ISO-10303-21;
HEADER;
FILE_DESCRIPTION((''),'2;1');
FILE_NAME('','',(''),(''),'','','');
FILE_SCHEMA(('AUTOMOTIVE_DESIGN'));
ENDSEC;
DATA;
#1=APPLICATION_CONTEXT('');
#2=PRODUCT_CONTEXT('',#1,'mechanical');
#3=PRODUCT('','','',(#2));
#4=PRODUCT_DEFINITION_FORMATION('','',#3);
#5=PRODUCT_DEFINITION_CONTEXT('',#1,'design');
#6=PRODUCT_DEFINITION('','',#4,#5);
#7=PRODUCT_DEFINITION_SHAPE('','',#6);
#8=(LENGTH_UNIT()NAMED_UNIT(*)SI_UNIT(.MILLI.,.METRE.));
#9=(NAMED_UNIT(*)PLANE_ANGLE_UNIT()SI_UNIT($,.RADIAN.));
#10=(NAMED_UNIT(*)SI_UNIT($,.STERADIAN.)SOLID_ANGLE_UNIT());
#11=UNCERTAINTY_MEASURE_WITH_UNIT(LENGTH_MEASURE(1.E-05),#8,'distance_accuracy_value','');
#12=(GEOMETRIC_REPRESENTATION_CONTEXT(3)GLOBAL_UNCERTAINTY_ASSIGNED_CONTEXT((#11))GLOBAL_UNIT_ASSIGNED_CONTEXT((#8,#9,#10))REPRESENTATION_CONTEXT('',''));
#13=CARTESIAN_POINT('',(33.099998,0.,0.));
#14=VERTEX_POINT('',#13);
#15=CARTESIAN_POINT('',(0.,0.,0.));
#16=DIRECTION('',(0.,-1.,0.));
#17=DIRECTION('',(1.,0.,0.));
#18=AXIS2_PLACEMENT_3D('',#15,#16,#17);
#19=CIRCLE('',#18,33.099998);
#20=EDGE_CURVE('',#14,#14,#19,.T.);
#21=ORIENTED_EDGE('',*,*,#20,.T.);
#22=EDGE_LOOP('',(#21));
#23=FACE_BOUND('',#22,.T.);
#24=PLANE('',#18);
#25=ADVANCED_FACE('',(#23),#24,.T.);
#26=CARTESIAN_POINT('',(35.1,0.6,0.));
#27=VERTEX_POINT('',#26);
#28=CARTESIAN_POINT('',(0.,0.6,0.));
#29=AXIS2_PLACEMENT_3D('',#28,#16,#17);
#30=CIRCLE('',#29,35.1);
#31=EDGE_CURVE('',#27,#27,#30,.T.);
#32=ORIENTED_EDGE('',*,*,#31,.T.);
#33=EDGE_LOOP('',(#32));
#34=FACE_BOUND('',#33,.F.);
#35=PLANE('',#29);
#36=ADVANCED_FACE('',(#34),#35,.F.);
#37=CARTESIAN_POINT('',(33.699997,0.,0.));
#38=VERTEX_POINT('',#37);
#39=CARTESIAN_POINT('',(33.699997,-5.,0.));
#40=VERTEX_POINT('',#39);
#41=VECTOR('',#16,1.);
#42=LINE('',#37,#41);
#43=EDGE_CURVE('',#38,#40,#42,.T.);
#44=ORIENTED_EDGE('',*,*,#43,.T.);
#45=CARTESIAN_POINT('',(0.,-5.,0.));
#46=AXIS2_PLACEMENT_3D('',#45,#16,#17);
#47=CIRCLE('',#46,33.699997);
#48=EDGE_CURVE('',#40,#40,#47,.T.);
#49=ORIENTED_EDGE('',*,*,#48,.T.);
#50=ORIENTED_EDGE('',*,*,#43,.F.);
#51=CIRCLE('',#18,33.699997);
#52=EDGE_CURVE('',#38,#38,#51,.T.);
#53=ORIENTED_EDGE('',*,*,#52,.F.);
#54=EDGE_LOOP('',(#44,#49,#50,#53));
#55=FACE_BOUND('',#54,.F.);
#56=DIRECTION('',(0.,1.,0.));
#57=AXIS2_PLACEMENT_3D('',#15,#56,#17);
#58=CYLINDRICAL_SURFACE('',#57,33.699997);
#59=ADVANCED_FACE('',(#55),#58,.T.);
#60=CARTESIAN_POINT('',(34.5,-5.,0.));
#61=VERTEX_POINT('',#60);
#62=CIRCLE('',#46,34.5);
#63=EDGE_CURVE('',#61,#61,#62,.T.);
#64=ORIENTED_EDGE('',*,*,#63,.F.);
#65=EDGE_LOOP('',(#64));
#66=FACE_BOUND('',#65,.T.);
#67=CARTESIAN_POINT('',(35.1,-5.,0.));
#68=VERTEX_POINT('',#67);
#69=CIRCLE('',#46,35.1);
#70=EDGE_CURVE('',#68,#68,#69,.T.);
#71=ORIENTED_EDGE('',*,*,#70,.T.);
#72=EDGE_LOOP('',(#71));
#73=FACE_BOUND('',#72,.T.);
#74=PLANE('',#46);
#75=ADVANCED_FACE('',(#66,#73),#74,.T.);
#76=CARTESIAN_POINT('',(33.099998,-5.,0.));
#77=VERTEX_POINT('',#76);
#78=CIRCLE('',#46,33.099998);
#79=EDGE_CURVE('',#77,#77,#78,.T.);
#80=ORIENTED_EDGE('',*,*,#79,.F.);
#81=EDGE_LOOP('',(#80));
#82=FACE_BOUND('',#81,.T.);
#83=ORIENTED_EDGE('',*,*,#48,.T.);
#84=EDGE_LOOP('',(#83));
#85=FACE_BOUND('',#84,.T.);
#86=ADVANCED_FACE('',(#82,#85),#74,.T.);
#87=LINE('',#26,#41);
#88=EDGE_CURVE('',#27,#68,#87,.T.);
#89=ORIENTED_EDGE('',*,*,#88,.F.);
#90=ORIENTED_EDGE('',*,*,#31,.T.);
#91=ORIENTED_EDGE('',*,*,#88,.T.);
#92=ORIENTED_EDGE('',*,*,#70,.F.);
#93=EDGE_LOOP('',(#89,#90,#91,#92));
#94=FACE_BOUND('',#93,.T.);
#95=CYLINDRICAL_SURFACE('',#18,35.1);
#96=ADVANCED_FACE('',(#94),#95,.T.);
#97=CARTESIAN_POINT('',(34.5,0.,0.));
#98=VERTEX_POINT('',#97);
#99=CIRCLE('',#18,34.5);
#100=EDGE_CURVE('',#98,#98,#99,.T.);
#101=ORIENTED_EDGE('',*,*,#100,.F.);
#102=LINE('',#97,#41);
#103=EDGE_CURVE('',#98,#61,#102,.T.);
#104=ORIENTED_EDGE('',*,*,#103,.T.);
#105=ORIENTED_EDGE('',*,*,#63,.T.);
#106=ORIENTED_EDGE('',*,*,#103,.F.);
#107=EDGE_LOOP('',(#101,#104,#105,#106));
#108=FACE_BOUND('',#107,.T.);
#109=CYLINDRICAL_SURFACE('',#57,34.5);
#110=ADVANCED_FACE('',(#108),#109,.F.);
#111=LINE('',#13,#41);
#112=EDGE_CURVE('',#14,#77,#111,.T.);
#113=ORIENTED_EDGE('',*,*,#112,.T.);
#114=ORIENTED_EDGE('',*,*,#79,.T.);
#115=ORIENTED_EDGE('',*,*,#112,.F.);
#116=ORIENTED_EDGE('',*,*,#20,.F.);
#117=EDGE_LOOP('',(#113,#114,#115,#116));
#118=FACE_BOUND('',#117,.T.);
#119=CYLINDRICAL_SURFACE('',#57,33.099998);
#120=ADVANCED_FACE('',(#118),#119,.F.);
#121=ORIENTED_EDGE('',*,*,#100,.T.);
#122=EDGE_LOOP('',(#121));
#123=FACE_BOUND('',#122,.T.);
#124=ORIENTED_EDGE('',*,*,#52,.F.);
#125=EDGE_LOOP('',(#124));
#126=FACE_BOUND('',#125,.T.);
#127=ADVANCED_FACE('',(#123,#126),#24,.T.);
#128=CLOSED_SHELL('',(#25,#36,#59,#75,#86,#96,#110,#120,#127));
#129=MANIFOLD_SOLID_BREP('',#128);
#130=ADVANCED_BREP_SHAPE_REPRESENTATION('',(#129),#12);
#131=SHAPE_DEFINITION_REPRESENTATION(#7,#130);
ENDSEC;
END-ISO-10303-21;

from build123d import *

# Parameters (mm, degrees)
F0_R     = 35.1
F0_R_2   = 34.5
F1_DEPTH = 5
F0_R_3   = 33.6999967694
F0_R_4   = 33.0999977887
F2_DEPTH = 0.6


with BuildPart() as f1:
    # F0 (on Front) → F1 (new body)
    with BuildSketch(Plane.XZ):
        Circle(F0_R)
        Circle(F0_R_2, mode=Mode.SUBTRACT)
    extrude(amount=F1_DEPTH)



with BuildPart() as f1b:
    # F0 (on Front) → F1, piece 2 (new body)
    with BuildSketch(Plane.XZ):
        Circle(F0_R_3)
        Circle(F0_R_4, mode=Mode.SUBTRACT)
    extrude(amount=F1_DEPTH)


with BuildPart() as f1_1:
    add(f1.part)

    add(f1b.part)  # F2 merges F1b
    # F0 (on Front) → F2 (join)
    with BuildSketch(Plane.XZ):
        Circle(F0_R)
        Circle(F0_R_2, mode=Mode.SUBTRACT)
        Circle(F0_R_2)
        Circle(F0_R_3, mode=Mode.SUBTRACT)
        Circle(F0_R_3)
        Circle(F0_R_4, mode=Mode.SUBTRACT)
        Circle(F0_R_4)
    extrude(amount=-F2_DEPTH)


solid = f1_1.part
